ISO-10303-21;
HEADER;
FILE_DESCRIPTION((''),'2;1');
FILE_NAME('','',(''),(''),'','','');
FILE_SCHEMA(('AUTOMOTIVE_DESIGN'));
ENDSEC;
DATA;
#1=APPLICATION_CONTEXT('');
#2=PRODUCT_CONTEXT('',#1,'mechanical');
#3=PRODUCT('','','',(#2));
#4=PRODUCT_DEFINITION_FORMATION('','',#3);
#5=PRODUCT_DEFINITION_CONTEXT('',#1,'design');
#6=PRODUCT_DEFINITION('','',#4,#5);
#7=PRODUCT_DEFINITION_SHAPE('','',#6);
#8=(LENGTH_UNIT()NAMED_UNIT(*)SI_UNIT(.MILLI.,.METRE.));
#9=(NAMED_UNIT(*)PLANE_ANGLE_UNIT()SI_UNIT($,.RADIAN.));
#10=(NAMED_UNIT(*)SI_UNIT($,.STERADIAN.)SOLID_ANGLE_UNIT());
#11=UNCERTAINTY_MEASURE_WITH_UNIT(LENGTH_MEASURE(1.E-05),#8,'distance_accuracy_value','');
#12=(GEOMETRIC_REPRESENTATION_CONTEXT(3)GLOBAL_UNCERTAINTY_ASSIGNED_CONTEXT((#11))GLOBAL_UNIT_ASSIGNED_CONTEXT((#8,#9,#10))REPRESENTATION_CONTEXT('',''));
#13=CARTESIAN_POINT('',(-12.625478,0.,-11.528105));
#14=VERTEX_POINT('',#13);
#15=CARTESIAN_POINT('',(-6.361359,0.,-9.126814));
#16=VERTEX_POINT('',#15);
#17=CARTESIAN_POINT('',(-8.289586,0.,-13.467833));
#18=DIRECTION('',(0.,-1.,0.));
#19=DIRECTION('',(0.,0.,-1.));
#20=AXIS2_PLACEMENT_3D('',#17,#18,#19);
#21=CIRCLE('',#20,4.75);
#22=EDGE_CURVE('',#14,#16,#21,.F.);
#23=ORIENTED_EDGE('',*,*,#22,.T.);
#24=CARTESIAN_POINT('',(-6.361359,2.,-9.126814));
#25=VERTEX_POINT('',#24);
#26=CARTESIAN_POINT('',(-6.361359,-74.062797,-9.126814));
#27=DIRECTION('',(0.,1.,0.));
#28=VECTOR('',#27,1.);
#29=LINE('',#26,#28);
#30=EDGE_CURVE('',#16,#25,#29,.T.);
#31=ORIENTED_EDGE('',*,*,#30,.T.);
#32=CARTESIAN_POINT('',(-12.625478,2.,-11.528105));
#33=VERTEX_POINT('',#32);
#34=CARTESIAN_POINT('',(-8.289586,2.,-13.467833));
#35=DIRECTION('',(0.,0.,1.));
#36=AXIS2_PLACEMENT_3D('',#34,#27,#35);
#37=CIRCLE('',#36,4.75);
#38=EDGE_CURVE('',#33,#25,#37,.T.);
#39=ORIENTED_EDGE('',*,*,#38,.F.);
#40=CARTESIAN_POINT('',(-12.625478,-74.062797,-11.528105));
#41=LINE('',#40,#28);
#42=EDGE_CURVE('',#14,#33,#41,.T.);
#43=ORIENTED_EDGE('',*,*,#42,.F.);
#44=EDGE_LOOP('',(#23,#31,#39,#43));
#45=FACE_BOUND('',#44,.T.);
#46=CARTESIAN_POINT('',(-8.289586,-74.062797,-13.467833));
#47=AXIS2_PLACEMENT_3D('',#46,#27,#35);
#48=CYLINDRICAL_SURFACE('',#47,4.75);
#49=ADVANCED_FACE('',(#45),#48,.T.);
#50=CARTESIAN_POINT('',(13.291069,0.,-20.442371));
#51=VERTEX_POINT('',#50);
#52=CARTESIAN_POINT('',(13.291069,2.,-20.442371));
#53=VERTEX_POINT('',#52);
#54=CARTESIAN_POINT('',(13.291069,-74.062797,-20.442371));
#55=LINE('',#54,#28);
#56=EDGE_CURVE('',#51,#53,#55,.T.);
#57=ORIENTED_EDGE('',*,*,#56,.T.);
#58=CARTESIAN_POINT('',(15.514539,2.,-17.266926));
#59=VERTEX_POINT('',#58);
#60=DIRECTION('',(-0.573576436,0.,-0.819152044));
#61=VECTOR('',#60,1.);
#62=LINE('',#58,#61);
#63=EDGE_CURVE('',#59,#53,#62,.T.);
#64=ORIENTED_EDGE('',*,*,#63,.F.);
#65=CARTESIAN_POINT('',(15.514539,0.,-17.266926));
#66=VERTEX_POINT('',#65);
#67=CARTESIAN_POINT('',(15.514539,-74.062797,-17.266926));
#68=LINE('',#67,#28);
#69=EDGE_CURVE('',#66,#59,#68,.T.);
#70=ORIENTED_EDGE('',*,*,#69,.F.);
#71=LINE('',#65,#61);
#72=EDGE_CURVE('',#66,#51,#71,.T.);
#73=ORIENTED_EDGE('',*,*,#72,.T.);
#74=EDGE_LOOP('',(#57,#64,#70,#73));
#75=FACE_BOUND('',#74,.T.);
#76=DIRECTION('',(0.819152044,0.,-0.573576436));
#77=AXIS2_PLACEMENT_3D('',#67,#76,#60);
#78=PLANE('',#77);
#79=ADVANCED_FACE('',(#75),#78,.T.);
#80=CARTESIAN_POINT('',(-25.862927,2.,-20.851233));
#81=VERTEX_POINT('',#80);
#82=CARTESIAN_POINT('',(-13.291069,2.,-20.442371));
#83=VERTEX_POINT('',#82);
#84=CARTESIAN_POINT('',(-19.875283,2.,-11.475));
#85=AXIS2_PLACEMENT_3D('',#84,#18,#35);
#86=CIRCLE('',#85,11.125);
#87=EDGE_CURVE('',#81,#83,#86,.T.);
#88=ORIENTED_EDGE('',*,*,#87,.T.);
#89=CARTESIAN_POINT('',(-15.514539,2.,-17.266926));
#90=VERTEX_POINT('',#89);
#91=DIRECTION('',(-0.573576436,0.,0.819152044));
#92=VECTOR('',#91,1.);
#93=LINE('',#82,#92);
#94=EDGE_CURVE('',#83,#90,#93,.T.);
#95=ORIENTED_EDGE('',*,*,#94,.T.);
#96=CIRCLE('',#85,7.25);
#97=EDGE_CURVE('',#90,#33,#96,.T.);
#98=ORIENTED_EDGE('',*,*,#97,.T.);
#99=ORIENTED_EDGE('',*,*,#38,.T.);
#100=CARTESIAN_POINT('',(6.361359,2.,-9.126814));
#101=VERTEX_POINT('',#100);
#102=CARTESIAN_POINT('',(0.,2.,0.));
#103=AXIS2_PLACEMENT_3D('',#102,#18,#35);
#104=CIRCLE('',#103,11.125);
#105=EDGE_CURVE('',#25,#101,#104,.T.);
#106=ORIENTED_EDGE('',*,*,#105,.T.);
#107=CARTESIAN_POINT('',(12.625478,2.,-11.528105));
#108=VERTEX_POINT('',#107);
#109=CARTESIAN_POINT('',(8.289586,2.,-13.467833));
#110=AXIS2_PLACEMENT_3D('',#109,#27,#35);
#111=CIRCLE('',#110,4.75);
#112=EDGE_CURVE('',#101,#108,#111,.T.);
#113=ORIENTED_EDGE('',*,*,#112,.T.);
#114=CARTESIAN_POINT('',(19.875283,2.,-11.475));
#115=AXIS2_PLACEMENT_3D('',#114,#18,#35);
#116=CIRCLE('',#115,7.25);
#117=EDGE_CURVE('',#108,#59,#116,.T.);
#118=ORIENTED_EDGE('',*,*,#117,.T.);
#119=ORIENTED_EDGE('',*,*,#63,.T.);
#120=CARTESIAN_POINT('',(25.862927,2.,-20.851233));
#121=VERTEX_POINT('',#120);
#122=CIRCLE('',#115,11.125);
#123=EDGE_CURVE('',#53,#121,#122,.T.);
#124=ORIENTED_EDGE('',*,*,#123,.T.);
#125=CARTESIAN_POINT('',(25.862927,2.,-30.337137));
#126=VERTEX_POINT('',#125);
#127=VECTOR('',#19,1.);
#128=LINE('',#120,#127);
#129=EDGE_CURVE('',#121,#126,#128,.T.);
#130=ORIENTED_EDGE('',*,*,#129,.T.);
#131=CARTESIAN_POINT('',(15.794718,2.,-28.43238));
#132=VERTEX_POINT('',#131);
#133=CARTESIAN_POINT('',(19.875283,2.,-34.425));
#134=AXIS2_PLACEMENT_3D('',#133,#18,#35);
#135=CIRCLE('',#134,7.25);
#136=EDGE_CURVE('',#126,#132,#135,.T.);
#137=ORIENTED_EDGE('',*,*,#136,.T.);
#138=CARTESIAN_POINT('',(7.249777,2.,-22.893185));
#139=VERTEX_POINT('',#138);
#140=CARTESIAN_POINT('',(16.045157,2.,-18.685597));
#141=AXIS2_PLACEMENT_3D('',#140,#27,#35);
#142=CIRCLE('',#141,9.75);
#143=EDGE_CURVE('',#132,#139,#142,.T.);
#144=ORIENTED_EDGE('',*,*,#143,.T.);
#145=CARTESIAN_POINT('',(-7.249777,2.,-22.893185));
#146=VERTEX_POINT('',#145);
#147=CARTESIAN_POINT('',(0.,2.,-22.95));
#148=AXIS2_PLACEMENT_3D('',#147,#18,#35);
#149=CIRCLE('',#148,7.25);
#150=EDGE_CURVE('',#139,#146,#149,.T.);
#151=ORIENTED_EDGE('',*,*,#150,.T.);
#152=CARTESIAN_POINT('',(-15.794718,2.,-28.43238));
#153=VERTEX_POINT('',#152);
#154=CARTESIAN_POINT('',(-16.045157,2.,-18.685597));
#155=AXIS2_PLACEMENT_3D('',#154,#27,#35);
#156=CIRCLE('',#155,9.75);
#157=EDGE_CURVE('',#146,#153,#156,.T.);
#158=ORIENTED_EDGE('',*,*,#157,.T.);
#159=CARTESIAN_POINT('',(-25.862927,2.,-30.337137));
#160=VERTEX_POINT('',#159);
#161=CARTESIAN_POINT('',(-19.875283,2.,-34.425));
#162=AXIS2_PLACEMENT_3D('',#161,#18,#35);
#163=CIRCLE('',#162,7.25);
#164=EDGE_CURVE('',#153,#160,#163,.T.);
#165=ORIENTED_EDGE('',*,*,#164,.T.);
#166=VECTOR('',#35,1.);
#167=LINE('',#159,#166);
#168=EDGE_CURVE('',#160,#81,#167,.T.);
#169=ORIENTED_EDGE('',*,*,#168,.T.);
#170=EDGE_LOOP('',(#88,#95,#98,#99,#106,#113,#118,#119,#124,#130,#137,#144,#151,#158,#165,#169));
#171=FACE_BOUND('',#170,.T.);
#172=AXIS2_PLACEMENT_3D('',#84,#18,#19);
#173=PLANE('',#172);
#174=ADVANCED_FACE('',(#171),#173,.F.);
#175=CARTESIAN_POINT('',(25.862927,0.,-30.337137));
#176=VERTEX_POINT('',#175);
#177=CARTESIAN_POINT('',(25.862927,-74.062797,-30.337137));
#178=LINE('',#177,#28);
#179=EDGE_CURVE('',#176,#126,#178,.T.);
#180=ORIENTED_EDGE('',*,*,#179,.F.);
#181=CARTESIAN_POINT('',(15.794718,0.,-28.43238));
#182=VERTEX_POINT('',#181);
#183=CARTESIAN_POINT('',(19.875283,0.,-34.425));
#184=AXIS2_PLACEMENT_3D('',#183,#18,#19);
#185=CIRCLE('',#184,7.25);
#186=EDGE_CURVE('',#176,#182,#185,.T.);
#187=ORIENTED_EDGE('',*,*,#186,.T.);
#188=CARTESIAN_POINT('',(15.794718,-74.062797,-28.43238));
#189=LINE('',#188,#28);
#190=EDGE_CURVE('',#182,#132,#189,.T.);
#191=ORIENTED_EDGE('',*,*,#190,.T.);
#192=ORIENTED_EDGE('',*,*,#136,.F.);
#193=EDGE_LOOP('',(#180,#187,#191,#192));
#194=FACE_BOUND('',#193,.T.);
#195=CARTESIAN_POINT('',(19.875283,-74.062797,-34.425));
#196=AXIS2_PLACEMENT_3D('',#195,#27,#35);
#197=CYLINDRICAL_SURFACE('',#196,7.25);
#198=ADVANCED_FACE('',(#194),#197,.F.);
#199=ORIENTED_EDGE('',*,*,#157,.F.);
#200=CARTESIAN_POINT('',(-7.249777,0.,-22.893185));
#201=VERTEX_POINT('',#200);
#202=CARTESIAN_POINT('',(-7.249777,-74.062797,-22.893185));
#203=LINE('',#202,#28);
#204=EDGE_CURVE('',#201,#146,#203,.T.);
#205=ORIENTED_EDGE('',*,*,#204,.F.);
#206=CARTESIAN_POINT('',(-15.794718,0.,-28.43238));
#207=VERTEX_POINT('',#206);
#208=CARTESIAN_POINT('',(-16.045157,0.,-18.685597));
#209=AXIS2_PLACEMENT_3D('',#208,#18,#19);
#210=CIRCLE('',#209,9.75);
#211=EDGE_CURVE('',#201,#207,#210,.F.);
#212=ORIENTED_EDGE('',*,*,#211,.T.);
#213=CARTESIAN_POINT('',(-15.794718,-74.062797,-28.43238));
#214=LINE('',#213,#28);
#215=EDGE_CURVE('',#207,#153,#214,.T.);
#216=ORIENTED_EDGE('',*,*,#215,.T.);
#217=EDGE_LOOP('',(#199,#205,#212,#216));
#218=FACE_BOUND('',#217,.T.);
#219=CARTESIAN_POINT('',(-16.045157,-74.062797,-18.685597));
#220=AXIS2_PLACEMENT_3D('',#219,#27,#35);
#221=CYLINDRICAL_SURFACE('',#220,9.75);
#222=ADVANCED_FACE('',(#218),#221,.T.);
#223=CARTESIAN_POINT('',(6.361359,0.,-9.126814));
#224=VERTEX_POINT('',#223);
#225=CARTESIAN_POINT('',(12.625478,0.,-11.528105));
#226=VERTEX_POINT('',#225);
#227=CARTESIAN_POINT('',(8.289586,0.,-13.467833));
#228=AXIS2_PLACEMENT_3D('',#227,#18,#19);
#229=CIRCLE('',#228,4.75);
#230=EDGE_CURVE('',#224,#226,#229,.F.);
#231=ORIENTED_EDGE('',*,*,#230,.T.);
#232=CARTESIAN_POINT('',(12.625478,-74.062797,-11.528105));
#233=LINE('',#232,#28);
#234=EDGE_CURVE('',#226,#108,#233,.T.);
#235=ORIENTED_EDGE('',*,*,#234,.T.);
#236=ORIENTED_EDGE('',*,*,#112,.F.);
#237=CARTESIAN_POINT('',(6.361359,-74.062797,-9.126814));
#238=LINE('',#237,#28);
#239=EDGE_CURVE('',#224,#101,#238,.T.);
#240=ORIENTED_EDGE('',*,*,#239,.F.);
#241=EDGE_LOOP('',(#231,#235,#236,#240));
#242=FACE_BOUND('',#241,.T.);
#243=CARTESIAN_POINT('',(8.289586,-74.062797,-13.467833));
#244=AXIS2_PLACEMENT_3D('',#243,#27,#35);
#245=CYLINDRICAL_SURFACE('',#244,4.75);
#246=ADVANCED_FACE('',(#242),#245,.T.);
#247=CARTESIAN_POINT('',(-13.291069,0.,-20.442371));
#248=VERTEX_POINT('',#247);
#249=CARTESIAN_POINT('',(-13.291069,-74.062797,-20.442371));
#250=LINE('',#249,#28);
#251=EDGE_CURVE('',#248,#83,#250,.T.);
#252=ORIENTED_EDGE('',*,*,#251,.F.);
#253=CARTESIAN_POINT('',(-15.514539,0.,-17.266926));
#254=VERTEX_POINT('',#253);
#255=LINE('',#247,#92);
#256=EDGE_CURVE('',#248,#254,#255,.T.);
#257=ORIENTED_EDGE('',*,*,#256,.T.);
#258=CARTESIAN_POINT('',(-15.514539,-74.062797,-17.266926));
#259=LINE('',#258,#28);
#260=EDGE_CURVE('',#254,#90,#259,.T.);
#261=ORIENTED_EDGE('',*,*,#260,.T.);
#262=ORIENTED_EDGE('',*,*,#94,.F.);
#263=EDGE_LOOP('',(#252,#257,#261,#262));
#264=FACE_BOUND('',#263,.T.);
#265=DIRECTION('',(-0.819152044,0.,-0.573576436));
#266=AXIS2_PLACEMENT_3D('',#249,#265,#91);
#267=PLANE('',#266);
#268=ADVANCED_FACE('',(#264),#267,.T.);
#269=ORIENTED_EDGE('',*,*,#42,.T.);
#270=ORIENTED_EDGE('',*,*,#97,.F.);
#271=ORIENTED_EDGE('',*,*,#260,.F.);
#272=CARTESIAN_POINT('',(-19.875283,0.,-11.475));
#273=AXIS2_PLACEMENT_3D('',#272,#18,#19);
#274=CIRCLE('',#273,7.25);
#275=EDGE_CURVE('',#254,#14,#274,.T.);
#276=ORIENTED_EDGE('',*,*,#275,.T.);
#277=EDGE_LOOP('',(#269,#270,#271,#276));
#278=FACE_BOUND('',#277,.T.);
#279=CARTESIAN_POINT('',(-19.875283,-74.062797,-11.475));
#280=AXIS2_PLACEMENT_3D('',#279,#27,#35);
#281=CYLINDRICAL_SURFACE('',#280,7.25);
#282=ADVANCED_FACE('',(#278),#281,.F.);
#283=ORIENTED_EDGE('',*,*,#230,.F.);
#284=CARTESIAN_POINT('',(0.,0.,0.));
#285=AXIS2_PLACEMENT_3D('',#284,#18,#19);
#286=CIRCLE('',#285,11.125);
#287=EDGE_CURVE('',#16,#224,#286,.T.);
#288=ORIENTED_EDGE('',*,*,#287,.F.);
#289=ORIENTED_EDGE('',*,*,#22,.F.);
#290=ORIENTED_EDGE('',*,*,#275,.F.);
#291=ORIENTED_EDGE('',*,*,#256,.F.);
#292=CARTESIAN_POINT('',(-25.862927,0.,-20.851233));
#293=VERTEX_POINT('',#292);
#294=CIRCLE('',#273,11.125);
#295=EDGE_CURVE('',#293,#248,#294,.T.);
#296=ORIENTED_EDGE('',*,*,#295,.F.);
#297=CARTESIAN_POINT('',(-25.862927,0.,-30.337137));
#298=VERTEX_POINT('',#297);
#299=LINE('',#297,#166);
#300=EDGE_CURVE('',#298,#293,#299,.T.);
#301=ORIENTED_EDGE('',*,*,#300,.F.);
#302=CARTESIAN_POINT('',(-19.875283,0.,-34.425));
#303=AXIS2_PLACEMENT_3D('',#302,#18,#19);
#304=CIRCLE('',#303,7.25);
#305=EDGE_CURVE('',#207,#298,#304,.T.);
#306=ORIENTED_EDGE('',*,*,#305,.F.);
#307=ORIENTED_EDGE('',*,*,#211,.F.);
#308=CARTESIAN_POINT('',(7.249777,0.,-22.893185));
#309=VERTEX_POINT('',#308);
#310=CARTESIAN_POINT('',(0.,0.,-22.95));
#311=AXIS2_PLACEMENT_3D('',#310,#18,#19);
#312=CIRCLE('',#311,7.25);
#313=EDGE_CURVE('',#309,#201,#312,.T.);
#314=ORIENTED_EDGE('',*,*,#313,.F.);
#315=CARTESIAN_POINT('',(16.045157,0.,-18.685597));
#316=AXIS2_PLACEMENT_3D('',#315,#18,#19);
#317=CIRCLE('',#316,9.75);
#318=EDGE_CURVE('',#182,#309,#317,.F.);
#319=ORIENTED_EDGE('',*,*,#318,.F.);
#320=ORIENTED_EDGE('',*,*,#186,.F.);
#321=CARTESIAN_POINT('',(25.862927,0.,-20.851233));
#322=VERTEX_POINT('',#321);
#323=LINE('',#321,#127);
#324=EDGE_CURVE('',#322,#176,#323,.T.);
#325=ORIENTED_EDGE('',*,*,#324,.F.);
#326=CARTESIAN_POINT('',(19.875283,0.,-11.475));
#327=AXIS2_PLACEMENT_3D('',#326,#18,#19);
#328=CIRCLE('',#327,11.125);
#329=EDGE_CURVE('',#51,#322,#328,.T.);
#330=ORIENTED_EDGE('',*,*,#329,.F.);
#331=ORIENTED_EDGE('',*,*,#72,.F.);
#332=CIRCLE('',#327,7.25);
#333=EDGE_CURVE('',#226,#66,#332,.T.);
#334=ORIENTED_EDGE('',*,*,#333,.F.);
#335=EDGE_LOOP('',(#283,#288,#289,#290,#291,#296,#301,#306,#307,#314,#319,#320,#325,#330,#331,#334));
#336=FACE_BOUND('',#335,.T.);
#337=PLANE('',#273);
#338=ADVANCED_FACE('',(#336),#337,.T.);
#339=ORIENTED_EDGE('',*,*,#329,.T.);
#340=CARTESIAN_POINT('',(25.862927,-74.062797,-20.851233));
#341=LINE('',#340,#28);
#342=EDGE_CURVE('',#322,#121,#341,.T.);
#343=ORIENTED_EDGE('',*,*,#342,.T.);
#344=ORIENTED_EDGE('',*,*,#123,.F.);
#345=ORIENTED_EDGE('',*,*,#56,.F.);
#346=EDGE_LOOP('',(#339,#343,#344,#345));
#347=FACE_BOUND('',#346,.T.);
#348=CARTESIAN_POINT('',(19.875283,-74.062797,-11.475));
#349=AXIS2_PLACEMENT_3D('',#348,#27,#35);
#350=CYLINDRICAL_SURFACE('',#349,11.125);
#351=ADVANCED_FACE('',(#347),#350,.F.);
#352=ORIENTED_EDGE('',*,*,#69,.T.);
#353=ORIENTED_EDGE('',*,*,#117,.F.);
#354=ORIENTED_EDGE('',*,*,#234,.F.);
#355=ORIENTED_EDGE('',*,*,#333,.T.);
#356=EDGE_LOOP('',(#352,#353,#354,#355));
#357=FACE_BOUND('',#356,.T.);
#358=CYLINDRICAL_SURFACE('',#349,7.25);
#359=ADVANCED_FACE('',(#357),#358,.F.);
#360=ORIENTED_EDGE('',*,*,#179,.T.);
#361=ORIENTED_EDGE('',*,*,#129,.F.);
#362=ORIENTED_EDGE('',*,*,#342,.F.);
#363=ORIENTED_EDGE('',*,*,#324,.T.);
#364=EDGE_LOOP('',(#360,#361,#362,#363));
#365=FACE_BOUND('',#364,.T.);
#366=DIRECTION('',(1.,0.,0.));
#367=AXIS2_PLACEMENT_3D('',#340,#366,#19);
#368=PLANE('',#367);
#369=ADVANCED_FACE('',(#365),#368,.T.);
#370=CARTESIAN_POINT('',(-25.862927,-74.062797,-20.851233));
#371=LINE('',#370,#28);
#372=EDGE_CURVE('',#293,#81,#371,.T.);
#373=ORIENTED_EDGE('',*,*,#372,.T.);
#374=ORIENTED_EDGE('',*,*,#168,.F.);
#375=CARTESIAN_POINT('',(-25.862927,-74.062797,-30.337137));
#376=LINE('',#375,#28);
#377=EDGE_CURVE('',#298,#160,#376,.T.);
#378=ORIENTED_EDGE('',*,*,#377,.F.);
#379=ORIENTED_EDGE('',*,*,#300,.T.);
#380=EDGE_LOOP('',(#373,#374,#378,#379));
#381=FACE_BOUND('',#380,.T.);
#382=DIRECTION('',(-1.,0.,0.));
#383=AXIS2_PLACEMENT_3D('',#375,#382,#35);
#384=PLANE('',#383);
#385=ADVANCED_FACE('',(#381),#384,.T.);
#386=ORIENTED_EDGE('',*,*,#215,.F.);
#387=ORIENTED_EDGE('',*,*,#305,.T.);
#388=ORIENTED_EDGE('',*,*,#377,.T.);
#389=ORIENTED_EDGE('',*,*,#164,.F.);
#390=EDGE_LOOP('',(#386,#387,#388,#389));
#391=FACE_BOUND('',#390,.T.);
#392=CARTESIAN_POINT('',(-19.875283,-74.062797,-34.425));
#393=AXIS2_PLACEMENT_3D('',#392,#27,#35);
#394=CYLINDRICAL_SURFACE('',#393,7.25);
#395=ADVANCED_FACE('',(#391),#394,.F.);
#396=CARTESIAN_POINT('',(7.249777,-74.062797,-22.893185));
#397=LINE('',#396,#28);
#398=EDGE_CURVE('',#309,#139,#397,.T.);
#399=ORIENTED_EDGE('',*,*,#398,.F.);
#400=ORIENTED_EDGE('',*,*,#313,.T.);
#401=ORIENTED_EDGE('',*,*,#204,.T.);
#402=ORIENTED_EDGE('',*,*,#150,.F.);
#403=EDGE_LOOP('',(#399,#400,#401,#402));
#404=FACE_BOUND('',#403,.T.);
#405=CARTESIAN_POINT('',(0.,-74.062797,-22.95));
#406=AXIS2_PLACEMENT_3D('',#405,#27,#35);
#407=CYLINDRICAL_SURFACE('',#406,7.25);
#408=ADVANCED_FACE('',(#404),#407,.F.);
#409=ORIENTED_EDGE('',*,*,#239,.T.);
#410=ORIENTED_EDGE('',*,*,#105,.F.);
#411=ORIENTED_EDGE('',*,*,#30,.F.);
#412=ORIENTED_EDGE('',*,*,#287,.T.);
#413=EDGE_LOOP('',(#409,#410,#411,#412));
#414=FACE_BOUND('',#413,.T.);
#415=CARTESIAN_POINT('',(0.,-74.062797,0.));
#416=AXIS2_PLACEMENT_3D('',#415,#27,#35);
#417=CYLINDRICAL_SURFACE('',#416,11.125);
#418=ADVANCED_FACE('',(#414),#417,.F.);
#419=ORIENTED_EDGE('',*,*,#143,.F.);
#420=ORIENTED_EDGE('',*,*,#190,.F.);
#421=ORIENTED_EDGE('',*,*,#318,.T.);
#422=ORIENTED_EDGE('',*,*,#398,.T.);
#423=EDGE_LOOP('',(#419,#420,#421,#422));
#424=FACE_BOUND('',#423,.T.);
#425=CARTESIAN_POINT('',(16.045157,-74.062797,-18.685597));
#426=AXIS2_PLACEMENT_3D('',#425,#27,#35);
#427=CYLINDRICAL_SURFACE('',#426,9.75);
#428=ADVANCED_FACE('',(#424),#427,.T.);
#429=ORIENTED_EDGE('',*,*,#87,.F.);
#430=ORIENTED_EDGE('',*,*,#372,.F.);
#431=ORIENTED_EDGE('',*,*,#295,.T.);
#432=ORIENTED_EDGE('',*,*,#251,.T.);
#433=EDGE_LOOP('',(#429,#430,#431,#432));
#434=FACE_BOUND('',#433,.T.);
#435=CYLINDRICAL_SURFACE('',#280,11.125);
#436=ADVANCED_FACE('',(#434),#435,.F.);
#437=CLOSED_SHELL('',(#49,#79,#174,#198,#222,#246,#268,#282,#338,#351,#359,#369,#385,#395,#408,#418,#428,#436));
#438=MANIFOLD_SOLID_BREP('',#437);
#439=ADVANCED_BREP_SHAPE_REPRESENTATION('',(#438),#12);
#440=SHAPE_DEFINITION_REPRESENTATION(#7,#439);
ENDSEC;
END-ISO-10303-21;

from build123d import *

# Parameters (mm, degrees)
BOSS_EXTRUDE1_DEPTH = 2
SKETCH5_W           = 68.030538665
SKETCH5_H           = 29.277015507
CUT_EXTRUDE3_DEPTH  = 2


with BuildPart() as part:
    # Sketch3 → Boss-Extrude1 (new body)
    with BuildSketch(Plane(origin=(0, 0, 0), x_dir=(1, 0, 0), z_dir=(0, 1, 0))):
        with BuildLine():
            Line((-13.637639272, 20.383278482), (-15.860247962, 17.20906431))
            ThreePointArc((-15.860247962, 17.20906431), (-13.666207185, 14.707240293), (-12.875283017, 11.475))
            ThreePointArc((-12.875283017, 11.475), (-10.092914311, 8.804356775), (-6.237643745, 8.908278482))
            ThreePointArc((-6.237643745, 8.908278482), (0, 10.875), (6.237643745, 8.908278482))
            ThreePointArc((6.237643745, 8.908278482), (10.092914311, 8.804356775), (12.875283017, 11.475))
            ThreePointArc((12.875283017, 11.475), (13.666207185, 14.707240293), (15.860247962, 17.20906431))
            Line((15.860247962, 17.20906431), (13.637639272, 20.383278482))
            ThreePointArc((13.637639272, 20.383278482), (19.875283017, 22.35), (26.112926762, 20.383278482))
            Line((26.112926762, 20.383278482), (26.112926762, 31.248240565))
            ThreePointArc((26.112926762, 31.248240565), (21.575193898, 27.634543241), (15.870079226, 28.68406431))
            ThreePointArc((15.870079226, 28.68406431), (10.616247764, 27.083629141), (7, 22.95))
            ThreePointArc((7, 22.95), (0, 15.95), (-7, 22.95))
            ThreePointArc((-7, 22.95), (-10.616247764, 27.083629141), (-15.870079226, 28.68406431))
            ThreePointArc((-15.870079226, 28.68406431), (-21.575193898, 27.634543241), (-26.112926762, 31.248240565))
            Line((-26.112926762, 31.248240565), (-26.112926762, 20.383278482))
            ThreePointArc((-26.112926762, 20.383278482), (-19.875283017, 22.35), (-13.637639272, 20.383278482))
        make_face()
    extrude(amount=BOSS_EXTRUDE1_DEPTH)

    # Sketch5 → Cut-Extrude3 (cut)
    with BuildSketch(Plane(origin=(0, 2, 0), x_dir=(1, 0, 0), z_dir=(0, 1, 0))):
        with Locations((1.906858247, 20.166215681)):
            Rectangle(SKETCH5_W, SKETCH5_H)
        with BuildLine():
            Line((25.862926762, 20.851233112), (25.862926762, 30.337137187))
            ThreePointArc((25.862926762, 30.337137187), (21.222970901, 27.301360666), (15.794718469, 28.432380125))
            ThreePointArc((15.794718469, 28.432380125), (10.741632002, 26.866985754), (7.249777379, 22.893184845))
            ThreePointArc((7.249777379, 22.893184845), (0, 15.7), (-7.249777379, 22.893184845))
            ThreePointArc((-7.249777379, 22.893184845), (-10.741632002, 26.866985754), (-15.794718469, 28.432380125))
            ThreePointArc((-15.794718469, 28.432380125), (-21.222970901, 27.301360666), (-25.862926762, 30.337137187))
            Line((-25.862926762, 30.337137187), (-25.862926762, 20.851233112))
            ThreePointArc((-25.862926762, 20.851233112), (-19.513666923, 22.594121314), (-13.291068525, 20.442371104))
            Line((-13.291068525, 20.442371104), (-15.51453889, 17.266926334))
            ThreePointArc((-15.51453889, 17.266926334), (-13.399579679, 14.735025503), (-12.625477511, 11.528104843))
            ThreePointArc((-12.625477511, 11.528104843), (-9.989809939, 9.032549256), (-6.361359115, 9.126814078))
            ThreePointArc((-6.361359115, 9.126814078), (0, 11.125), (6.361359115, 9.126814078))
            ThreePointArc((6.361359115, 9.126814078), (9.989809939, 9.032549256), (12.625477511, 11.528104843))
            ThreePointArc((12.625477511, 11.528104843), (13.399579679, 14.735025503), (15.51453889, 17.266926334))
            Line((15.51453889, 17.266926334), (13.291068525, 20.442371104))
            ThreePointArc((13.291068525, 20.442371104), (19.513666923, 22.594121314), (25.862926762, 20.851233112))
        make_face(mode=Mode.SUBTRACT)
    extrude(amount=-CUT_EXTRUDE3_DEPTH, mode=Mode.SUBTRACT)


solid = part.part
